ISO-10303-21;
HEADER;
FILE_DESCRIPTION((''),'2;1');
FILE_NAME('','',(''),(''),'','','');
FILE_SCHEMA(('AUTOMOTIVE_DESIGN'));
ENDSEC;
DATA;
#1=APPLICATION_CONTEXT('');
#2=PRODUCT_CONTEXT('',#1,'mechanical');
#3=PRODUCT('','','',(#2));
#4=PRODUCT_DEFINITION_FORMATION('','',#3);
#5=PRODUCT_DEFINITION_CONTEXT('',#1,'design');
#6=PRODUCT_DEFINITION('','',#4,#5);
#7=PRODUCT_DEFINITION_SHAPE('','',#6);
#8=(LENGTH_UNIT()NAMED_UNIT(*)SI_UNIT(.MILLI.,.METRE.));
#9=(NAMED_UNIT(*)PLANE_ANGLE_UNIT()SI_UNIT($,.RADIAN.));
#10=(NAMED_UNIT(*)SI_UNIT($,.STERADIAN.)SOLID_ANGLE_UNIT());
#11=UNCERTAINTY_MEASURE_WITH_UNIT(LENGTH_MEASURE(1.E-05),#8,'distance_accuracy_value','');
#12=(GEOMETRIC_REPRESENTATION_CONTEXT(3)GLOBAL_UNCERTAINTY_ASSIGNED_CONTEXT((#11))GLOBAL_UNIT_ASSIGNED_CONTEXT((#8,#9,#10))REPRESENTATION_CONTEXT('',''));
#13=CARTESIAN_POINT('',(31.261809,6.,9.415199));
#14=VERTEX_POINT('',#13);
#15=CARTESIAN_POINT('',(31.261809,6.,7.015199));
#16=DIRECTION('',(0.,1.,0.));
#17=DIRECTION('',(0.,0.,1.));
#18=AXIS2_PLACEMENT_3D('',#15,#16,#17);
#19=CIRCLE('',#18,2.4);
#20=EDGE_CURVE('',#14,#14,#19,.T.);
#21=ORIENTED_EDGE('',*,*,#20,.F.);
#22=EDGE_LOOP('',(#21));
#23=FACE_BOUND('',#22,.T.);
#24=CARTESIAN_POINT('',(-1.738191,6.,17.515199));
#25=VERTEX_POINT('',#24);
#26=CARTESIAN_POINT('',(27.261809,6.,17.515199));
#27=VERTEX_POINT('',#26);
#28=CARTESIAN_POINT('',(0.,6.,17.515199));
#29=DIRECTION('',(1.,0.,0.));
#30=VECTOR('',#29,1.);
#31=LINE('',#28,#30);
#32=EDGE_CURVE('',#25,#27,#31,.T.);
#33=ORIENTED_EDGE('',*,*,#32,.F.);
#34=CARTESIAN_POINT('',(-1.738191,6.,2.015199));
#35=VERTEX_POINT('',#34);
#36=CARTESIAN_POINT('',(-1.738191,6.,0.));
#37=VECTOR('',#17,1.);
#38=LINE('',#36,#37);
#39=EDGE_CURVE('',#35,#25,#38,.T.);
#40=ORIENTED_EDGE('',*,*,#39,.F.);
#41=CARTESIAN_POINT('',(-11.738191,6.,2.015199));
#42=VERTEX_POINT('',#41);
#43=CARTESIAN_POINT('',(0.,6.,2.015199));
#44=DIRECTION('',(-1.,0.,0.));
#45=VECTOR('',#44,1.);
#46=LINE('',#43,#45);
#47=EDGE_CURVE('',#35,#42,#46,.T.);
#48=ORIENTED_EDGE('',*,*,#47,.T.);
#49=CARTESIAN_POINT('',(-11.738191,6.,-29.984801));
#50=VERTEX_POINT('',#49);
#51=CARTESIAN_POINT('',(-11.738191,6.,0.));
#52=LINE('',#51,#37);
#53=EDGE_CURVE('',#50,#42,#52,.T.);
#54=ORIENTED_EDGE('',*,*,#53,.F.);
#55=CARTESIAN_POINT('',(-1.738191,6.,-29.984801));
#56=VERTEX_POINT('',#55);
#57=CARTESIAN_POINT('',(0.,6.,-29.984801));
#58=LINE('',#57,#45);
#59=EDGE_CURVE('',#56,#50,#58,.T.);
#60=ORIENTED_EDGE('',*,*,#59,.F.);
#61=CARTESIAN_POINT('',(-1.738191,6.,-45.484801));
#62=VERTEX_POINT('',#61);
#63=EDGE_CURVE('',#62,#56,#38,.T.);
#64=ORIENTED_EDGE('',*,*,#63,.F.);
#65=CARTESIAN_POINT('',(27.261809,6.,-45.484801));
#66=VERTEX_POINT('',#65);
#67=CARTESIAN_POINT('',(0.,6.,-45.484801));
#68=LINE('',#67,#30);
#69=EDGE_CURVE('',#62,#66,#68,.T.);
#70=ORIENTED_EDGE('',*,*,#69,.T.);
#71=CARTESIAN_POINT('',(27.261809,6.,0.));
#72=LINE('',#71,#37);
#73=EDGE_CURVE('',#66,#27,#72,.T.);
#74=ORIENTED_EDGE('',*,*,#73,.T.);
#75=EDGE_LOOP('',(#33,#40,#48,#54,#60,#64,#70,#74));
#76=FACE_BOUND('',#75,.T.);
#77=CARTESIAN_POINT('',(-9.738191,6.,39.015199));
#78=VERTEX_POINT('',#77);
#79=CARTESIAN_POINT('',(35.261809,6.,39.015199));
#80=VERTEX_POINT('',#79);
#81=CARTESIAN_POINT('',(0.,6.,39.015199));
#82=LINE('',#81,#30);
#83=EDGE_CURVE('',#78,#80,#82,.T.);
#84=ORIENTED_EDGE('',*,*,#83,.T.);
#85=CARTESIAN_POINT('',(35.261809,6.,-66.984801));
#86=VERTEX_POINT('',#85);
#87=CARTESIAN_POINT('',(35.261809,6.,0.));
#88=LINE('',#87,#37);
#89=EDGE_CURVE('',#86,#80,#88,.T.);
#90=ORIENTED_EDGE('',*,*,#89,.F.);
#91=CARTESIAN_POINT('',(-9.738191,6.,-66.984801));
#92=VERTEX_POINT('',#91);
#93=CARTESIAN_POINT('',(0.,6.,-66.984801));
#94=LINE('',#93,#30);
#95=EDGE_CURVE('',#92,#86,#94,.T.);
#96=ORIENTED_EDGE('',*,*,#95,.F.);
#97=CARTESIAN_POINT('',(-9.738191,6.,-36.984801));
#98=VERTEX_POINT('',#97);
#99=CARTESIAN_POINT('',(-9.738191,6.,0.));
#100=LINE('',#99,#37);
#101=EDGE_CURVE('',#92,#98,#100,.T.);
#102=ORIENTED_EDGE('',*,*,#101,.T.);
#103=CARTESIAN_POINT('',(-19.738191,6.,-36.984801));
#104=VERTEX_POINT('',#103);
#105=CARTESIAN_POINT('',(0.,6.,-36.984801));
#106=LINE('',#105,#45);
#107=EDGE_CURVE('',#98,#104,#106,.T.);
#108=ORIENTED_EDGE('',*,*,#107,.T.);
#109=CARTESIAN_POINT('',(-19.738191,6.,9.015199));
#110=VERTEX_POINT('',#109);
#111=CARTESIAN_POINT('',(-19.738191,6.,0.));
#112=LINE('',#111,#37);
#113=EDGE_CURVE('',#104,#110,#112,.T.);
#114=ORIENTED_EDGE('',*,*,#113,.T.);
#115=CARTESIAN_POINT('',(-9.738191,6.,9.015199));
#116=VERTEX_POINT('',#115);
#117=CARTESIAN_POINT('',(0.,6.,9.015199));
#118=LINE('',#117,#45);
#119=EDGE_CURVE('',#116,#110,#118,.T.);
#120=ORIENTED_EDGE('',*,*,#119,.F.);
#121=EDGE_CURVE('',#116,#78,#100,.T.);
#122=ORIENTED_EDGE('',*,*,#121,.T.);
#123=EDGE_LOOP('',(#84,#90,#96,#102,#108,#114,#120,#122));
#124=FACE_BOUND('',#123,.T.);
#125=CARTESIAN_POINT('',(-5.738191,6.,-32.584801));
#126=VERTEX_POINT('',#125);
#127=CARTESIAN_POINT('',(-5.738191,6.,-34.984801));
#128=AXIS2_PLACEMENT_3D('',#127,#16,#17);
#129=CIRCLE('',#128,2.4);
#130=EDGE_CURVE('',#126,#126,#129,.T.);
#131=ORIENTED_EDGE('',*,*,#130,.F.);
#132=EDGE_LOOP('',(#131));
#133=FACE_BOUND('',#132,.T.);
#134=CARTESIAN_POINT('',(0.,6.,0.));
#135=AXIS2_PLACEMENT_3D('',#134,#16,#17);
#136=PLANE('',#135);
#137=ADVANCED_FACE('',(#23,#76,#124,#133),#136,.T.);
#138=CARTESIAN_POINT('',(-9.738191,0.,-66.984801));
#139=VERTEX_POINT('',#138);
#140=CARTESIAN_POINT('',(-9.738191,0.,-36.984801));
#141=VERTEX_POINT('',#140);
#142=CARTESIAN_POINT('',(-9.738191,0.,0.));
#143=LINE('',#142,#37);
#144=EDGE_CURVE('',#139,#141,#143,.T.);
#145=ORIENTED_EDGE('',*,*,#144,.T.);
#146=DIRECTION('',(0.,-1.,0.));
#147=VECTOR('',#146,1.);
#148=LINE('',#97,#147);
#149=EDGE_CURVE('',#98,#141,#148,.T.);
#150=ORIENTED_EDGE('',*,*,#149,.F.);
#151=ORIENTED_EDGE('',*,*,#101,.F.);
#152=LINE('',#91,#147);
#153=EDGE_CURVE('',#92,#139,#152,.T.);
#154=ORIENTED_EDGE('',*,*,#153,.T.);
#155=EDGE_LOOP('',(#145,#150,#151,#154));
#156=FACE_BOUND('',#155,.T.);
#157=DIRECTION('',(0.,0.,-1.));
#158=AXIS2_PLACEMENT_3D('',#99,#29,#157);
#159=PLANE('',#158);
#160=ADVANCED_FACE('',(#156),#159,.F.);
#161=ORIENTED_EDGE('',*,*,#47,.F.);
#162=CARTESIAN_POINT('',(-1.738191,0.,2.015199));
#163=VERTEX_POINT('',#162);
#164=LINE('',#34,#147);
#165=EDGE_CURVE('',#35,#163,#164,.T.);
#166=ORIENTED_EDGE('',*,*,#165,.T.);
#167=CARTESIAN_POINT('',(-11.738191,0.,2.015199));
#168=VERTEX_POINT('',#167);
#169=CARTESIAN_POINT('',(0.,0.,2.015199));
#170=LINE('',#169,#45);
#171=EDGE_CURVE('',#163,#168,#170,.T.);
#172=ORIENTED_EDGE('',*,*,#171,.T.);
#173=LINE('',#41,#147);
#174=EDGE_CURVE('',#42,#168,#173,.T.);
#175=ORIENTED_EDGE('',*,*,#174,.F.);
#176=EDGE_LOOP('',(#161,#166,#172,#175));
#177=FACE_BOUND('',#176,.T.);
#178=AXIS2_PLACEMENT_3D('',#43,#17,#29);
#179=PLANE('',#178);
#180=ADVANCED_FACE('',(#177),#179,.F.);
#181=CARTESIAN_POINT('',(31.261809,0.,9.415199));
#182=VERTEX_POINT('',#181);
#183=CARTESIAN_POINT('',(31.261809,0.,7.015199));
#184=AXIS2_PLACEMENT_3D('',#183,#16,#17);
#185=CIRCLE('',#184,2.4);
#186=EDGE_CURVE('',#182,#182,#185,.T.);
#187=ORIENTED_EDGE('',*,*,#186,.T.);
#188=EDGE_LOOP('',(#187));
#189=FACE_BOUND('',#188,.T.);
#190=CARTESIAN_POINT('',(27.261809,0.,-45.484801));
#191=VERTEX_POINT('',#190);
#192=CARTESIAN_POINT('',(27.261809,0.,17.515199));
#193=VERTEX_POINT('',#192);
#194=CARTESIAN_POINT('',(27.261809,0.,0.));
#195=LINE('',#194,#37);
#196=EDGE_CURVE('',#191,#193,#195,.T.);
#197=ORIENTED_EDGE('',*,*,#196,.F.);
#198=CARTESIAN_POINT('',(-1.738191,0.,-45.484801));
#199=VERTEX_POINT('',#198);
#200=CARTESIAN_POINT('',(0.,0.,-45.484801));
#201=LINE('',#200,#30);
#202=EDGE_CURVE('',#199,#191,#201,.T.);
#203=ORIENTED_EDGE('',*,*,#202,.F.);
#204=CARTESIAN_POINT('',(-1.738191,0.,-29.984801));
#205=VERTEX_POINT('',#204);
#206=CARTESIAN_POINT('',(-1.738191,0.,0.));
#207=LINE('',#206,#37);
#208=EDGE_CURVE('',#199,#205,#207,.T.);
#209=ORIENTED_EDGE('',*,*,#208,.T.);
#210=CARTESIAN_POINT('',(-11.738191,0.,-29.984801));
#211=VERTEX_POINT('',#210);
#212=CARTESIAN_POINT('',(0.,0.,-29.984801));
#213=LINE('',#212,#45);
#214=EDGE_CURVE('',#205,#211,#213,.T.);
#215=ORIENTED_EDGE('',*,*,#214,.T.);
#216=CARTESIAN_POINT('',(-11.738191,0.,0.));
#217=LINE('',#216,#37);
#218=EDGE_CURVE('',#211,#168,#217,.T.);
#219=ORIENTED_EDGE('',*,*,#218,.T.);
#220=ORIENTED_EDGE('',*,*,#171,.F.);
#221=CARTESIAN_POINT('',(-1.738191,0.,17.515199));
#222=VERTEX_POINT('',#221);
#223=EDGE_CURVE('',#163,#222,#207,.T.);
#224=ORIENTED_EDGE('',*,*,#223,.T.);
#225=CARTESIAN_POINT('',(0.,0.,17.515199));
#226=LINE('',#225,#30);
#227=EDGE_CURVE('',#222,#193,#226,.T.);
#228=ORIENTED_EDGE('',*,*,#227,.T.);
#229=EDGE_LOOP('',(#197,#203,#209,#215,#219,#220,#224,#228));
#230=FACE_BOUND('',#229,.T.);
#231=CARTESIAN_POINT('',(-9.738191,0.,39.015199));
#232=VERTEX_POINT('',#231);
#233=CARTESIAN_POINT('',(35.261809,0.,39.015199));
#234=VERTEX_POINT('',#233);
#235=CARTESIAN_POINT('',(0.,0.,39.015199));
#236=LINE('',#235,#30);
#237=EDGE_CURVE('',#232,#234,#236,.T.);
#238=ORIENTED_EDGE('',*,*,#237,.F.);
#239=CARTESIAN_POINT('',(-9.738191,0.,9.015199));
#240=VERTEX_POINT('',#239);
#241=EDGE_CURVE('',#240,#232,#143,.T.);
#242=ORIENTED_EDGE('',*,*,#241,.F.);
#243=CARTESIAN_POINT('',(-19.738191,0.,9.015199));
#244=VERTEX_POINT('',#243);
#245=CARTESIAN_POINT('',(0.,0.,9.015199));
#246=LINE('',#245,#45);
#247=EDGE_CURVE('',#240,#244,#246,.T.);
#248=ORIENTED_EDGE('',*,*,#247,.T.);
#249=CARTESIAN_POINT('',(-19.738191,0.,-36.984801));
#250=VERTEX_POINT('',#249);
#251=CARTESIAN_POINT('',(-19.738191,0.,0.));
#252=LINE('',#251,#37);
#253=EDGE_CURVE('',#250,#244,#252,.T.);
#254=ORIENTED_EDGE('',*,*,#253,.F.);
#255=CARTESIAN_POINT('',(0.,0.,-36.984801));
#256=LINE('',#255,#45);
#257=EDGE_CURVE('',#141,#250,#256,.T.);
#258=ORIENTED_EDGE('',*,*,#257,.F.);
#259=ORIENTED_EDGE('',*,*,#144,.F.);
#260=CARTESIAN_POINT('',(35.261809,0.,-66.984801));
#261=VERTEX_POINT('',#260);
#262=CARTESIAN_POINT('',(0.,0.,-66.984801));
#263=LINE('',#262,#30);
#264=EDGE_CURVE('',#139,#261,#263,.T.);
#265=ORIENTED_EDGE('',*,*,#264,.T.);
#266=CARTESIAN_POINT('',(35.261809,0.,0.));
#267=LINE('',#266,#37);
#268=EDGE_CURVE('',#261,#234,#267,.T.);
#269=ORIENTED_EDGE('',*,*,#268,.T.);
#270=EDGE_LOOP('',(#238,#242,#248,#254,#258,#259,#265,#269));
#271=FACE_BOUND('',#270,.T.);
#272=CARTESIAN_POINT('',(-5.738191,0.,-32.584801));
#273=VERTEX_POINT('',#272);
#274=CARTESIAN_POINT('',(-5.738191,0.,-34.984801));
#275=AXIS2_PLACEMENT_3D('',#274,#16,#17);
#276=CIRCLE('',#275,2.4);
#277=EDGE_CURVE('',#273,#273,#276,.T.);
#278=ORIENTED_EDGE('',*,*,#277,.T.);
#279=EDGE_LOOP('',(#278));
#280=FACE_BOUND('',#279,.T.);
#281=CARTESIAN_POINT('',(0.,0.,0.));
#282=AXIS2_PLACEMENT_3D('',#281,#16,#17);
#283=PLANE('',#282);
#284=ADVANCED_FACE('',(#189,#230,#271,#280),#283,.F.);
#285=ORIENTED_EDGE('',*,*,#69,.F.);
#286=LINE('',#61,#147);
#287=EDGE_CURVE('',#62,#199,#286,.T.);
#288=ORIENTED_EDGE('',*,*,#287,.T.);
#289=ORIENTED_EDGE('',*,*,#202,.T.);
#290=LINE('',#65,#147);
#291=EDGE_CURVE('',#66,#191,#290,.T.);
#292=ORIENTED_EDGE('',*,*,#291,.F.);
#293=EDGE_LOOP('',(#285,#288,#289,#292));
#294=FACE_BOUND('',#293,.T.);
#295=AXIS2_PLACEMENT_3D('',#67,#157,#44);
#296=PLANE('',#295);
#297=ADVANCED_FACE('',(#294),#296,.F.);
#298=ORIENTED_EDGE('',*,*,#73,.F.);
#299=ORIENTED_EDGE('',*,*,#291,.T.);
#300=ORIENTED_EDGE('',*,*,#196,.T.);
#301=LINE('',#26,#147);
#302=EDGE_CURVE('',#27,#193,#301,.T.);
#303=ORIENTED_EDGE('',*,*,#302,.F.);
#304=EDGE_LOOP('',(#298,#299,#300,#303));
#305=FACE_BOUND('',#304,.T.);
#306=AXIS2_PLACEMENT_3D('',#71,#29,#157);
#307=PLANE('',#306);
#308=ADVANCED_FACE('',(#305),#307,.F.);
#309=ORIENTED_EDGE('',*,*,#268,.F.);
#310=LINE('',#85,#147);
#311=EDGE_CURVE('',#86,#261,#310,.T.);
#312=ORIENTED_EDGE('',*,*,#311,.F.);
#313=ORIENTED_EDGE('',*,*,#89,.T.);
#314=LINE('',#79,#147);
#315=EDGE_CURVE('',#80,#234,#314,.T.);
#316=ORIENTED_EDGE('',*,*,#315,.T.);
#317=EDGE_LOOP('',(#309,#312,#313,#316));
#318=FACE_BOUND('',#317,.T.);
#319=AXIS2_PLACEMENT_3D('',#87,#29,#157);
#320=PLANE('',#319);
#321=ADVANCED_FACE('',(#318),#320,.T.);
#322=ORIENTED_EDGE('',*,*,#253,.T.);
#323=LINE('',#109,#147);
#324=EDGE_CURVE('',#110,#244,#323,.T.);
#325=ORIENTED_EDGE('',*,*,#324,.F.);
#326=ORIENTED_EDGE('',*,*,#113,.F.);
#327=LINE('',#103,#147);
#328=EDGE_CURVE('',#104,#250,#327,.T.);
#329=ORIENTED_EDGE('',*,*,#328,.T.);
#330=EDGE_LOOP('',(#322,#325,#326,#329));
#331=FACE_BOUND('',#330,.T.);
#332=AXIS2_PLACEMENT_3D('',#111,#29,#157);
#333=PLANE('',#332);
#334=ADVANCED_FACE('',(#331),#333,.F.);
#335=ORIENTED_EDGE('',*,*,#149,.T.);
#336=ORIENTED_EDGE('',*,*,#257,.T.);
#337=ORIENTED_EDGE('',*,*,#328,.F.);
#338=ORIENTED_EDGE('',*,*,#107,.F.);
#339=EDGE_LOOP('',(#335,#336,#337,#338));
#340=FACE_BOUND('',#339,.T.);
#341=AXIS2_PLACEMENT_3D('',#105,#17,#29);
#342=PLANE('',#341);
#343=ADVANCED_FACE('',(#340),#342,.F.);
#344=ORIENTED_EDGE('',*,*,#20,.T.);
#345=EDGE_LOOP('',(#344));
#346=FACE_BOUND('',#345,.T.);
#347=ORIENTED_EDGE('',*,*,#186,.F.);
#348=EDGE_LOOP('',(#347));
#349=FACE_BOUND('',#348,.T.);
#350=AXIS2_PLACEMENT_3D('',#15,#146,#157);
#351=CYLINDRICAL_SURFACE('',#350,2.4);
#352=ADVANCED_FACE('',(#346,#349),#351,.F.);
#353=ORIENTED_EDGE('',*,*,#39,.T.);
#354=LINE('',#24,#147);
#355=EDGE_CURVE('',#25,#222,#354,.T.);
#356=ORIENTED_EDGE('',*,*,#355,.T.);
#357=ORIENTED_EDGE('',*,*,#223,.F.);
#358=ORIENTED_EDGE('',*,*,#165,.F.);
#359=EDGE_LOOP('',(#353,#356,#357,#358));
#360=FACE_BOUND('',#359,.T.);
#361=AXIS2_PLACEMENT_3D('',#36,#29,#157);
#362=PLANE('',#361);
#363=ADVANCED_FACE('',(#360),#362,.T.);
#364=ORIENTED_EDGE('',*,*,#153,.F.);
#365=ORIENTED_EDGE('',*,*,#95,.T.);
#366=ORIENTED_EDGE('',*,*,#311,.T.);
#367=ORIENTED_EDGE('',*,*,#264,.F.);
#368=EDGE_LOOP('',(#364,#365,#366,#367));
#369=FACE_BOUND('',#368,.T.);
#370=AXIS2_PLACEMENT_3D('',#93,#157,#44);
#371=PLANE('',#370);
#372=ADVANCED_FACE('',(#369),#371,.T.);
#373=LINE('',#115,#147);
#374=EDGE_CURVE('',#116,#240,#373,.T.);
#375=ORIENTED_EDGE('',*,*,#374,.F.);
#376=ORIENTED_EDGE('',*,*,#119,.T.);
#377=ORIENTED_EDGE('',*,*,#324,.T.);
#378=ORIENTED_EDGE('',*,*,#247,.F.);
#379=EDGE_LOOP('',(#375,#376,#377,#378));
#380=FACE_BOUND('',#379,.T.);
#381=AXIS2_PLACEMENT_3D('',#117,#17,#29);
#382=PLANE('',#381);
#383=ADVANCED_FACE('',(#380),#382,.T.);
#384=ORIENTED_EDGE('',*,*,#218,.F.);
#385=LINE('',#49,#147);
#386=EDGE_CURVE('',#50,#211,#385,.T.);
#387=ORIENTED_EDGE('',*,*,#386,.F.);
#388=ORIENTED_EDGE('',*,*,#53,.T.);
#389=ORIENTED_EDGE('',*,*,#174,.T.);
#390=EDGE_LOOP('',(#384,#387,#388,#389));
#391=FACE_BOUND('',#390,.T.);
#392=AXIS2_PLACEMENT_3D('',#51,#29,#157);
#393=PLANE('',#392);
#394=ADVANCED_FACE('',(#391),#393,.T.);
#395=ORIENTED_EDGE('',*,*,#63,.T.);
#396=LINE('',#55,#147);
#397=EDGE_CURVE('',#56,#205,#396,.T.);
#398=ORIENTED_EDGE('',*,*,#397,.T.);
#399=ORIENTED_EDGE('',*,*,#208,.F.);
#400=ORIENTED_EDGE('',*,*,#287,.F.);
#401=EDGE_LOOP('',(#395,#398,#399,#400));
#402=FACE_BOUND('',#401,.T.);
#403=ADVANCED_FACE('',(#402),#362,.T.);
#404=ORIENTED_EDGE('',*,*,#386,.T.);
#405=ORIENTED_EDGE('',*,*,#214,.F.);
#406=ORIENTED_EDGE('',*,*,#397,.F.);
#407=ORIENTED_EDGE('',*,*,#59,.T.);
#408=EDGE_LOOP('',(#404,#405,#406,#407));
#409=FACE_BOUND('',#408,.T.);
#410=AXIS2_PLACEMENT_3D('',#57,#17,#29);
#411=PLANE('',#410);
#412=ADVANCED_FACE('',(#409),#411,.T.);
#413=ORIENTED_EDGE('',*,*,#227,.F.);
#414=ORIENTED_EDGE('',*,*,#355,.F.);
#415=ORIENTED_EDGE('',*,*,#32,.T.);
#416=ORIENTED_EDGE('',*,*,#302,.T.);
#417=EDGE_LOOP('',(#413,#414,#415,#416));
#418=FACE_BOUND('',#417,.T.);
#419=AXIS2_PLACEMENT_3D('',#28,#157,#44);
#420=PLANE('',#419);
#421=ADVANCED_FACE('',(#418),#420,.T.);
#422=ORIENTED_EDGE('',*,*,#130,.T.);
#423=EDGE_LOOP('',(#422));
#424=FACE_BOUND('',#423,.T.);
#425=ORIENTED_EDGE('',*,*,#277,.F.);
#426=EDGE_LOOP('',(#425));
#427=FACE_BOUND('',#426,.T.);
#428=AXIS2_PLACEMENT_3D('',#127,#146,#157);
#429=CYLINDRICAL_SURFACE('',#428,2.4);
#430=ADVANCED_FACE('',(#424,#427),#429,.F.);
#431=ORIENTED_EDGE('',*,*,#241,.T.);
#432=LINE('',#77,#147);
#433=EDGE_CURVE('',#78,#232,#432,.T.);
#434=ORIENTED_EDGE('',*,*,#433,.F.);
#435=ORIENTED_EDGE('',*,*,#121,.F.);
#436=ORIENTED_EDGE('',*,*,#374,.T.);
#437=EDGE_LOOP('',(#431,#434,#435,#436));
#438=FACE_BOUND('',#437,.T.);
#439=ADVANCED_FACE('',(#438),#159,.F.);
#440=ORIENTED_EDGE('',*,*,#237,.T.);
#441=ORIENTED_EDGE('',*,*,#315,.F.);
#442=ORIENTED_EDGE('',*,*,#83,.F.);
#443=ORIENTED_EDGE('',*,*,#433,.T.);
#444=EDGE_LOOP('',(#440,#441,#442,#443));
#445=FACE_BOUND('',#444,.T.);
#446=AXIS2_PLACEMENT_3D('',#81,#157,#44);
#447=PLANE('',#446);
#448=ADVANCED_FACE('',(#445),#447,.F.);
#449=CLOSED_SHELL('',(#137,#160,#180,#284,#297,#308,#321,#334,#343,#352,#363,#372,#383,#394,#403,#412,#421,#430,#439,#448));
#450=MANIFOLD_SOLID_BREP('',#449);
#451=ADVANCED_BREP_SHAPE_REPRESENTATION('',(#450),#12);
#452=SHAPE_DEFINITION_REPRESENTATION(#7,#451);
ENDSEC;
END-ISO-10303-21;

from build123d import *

# Parameters (mm, degrees)
SKETCH_1_R      = 2.4
EXTRUDE_1_DEPTH = 6


with BuildPart() as part:
    # 草图1 → 凸台-拉伸1 (new body)
    # profile 1 of 2: a face of its own
    with BuildSketch(Plane(origin=(0, 0, 0), x_dir=(1, 0, 0), z_dir=(0, 1, 0))):
        Polygon((35.26180856, 66.984800923), (-9.73819144, 66.984800923), (-9.73819144, 36.984800923), (-9.73819144, 29.984800923), (-1.73819144, 29.984800923), (-1.73819144, 45.484800923), (27.26180856, 45.484800923), (27.26180856, -17.515199077), (-1.73819144, -17.515199077), (-1.73819144, -2.015199077), (-9.73819144, -2.015199077), (-9.73819144, -9.015199077), (-9.73819144, -39.015199077), (35.26180856, -39.015199077), align=None)
        with Locations(Location((31.26180856, -7.015199077, 0), (0, 0, 270))):
            Circle(SKETCH_1_R, mode=Mode.SUBTRACT)
        with Locations(Location((-5.73819144, 34.984800923, 0), (0, 0, 270))):
            Circle(SKETCH_1_R, mode=Mode.SUBTRACT)
    # profile 2 of 2: a face of its own
    with BuildSketch(Plane(origin=(0, 0, 0), x_dir=(1, 0, 0), z_dir=(0, 1, 0))):
        Polygon((-9.73819144, 29.984800923), (-9.73819144, 36.984800923), (-19.73819144, 36.984800923), (-19.73819144, -9.015199077), (-9.73819144, -9.015199077), (-9.73819144, -2.015199077), (-11.73819144, -2.015199077), (-11.73819144, 29.984800923), align=None)
    extrude(amount=EXTRUDE_1_DEPTH)


solid = part.part
